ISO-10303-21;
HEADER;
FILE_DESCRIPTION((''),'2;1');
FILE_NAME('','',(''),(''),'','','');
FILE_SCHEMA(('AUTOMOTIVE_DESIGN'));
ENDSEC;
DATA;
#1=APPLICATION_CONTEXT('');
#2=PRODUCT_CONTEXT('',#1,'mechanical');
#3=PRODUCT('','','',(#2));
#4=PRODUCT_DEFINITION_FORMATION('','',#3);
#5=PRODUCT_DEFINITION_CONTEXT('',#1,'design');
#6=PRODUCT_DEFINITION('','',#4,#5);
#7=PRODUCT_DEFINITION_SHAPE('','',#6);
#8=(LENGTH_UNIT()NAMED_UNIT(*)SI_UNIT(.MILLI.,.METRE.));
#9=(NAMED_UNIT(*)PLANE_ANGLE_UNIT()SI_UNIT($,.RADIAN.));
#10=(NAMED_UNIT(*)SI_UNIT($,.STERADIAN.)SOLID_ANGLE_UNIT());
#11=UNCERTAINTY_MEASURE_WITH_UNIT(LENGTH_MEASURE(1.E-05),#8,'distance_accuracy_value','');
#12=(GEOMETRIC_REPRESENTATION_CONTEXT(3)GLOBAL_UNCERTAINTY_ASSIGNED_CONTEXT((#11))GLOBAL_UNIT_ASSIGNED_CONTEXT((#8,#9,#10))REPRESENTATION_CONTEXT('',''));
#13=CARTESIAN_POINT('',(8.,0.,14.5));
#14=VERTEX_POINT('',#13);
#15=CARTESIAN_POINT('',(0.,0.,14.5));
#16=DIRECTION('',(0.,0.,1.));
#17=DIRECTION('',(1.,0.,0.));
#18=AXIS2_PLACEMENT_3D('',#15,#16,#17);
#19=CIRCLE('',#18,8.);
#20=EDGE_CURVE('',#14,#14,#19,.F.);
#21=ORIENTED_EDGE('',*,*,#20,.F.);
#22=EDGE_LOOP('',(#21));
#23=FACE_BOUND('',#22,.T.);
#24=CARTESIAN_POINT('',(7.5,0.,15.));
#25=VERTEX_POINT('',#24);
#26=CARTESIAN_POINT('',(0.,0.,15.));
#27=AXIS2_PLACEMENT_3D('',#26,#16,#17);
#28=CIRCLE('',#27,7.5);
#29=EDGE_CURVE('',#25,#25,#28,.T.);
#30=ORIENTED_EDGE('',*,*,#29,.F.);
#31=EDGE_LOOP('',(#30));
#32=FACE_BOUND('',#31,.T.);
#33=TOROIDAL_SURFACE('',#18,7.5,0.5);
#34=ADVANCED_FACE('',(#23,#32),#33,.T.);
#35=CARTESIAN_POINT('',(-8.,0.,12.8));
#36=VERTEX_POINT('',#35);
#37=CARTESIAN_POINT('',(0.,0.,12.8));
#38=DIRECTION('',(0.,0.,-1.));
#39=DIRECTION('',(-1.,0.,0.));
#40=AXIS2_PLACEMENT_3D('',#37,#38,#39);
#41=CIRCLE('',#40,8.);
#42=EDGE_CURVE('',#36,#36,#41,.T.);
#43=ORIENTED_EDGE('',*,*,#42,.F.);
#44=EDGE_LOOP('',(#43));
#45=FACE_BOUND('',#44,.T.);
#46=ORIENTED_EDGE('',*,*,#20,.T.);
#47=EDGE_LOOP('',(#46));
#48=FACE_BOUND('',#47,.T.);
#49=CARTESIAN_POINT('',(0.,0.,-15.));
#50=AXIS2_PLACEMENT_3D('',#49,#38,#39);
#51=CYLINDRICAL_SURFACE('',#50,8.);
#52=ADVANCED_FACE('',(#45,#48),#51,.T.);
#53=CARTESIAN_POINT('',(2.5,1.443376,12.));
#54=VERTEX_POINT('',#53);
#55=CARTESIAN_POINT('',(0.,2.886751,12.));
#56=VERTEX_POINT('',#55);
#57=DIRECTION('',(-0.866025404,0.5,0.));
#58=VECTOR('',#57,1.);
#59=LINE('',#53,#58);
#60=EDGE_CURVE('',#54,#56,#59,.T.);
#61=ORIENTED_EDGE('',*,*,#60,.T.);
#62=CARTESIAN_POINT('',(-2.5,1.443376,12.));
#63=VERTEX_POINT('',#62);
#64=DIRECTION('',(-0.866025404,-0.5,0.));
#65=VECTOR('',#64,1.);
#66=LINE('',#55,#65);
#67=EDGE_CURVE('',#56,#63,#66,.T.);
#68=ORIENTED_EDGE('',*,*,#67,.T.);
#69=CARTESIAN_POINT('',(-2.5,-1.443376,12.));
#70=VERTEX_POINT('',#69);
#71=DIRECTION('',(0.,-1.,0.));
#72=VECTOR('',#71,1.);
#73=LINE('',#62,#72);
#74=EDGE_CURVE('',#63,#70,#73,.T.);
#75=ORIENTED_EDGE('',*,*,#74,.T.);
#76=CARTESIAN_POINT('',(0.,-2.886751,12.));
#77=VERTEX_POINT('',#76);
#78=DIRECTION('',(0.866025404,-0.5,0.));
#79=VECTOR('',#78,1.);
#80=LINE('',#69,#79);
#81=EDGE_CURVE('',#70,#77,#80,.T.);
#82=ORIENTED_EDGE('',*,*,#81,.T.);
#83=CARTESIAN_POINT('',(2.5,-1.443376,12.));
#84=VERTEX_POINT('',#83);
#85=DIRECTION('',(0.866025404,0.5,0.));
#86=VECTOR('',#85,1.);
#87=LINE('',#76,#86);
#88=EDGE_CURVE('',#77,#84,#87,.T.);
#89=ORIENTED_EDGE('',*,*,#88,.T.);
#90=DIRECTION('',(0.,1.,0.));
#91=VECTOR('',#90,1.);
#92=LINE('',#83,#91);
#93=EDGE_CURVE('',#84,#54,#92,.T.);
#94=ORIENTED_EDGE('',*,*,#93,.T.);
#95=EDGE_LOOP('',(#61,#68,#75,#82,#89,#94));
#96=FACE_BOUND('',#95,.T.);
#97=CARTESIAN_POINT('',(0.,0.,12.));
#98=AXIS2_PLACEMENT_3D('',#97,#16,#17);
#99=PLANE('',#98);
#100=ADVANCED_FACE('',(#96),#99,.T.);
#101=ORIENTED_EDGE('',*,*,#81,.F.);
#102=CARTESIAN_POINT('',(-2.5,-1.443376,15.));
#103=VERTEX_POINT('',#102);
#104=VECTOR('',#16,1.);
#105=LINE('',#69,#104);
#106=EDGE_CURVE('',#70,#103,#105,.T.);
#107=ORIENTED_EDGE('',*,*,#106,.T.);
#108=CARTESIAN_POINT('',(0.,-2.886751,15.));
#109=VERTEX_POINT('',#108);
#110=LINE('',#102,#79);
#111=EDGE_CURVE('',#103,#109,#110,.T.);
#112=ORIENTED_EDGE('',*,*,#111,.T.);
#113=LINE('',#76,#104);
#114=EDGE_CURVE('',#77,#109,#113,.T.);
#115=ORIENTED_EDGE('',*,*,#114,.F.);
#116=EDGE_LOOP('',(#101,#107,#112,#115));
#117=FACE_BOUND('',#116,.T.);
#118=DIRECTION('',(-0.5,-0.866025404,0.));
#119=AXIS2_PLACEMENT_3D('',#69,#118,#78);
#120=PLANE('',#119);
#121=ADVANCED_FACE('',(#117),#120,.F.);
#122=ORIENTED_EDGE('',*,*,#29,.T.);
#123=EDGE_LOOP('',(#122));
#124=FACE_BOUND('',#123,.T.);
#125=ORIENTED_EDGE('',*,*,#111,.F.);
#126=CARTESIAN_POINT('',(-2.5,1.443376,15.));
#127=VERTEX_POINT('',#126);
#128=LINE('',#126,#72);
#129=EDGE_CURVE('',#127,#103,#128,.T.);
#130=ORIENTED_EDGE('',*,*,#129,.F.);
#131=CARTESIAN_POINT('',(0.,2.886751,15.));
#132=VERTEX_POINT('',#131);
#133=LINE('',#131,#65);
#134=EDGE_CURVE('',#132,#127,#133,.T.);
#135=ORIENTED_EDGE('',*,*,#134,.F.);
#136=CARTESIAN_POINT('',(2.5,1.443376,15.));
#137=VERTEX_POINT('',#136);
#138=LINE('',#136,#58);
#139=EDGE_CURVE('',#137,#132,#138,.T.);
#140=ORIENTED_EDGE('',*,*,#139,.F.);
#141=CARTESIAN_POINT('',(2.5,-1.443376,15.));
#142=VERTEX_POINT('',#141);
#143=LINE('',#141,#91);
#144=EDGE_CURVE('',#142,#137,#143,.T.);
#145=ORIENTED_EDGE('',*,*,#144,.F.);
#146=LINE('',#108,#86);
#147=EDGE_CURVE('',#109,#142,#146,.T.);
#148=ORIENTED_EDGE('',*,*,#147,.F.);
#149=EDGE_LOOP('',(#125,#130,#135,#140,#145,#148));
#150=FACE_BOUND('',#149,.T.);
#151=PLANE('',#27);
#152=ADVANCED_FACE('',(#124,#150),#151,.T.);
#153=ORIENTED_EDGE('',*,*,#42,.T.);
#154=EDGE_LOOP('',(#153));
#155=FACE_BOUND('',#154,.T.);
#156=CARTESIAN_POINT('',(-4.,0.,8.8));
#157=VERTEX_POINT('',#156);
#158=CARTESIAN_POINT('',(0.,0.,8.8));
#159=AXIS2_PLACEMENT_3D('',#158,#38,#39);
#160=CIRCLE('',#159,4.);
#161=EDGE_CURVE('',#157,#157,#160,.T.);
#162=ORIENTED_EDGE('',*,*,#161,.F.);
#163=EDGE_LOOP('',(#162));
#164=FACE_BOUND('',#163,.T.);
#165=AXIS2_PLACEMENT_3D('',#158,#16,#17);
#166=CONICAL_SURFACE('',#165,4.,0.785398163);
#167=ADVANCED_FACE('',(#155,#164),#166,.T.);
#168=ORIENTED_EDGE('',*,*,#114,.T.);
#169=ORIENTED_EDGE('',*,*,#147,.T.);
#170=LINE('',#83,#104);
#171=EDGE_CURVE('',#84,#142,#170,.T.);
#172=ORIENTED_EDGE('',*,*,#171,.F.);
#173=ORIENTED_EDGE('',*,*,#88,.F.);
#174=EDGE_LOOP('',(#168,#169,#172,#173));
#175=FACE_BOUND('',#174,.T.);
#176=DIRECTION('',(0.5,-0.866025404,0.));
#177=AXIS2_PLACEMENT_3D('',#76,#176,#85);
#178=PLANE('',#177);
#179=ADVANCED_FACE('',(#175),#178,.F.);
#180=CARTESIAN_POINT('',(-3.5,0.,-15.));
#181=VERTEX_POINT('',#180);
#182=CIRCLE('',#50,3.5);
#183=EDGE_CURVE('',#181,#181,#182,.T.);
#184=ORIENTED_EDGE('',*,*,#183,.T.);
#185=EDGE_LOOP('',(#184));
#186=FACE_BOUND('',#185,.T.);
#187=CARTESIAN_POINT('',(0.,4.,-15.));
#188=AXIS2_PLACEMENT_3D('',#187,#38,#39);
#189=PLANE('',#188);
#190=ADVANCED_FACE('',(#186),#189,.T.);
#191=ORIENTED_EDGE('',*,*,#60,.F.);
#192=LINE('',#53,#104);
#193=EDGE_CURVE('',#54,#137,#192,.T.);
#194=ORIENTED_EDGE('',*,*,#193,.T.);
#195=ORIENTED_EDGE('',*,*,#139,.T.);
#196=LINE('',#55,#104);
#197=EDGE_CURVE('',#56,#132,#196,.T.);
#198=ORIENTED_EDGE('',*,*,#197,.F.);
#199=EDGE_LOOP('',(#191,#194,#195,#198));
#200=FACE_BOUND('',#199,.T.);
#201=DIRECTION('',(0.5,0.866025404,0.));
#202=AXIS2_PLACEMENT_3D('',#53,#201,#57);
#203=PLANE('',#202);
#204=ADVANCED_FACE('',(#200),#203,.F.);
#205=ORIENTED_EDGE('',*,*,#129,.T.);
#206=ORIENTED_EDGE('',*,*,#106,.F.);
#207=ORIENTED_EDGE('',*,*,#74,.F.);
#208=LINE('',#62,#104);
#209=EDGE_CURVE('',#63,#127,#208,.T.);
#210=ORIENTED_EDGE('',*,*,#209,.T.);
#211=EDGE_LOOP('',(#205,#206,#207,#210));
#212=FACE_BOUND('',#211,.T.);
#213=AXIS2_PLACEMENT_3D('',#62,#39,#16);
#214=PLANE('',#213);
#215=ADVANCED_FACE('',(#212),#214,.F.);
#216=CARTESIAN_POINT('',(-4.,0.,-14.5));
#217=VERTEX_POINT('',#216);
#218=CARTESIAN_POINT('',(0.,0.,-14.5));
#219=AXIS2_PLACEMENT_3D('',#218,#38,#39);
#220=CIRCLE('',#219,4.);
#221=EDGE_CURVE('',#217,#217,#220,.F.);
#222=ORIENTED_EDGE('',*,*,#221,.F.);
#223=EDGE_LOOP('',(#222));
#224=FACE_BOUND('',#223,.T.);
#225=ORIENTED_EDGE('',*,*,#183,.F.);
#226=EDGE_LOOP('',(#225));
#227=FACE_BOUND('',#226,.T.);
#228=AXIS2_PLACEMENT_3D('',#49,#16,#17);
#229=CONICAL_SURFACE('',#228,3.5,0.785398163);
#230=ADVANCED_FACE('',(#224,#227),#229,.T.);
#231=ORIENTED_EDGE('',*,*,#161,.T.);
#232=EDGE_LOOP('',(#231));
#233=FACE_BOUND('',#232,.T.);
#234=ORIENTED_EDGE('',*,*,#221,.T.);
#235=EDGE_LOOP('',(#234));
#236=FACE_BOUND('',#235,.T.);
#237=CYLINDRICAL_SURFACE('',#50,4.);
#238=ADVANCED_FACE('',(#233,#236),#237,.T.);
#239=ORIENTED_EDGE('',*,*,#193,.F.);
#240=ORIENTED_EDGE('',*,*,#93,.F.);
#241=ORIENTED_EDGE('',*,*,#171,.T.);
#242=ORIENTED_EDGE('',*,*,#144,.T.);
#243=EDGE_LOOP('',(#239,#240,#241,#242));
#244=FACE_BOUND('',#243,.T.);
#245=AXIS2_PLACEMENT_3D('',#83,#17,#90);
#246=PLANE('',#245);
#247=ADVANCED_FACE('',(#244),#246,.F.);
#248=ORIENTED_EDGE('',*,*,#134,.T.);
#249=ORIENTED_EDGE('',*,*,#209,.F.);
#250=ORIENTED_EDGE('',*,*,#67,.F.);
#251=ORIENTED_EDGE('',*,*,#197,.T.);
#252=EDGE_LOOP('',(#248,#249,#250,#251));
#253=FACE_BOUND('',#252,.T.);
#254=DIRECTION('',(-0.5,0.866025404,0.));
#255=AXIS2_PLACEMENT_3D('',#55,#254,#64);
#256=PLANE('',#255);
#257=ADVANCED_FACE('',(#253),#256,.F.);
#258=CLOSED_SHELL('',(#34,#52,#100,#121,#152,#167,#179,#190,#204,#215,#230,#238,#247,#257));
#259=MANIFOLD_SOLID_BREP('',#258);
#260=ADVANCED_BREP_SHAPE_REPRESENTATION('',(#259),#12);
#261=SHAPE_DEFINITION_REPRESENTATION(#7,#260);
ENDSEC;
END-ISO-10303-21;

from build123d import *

# Parameters (mm, degrees)
CUT_EXTRUDE_1_DEPTH = 3
FILLET_1_R          = 0.5
CHAMFER_1_SIZE      = 0.5


with BuildPart() as part:
    # 草图1 → 旋转1 (revolve)
    with BuildSketch(Plane(origin=(0, 0, 0), x_dir=(0, 0, -1), z_dir=(1, 0, 0)), mode=Mode.PRIVATE) as revolve_1_sk:
        Polygon((-15, 0), (-15, 8), (-12.8, 8), (-8.8, 4), (15, 4), (15, 0), align=None)
    revolve(revolve_1_sk.sketch.rotate(Axis((0, 0, -15), (0, 0, 1)), 90), axis=Axis((0, 0, -15), (0, 0, 1)))

    # 草图2 → 切除-拉伸1 (cut)
    with BuildSketch(Plane.XY.offset(15)):
        Polygon((0, 2.886751346), (-2.5, 1.443375673), (-2.5, -1.443375673), (0, -2.886751346), (2.5, -1.443375673), (2.5, 1.443375673), align=None)
    extrude(amount=-CUT_EXTRUDE_1_DEPTH, mode=Mode.SUBTRACT)

    # 圆角1
    fillet_1_edges = [part.edges().sort_by_distance(p)[0] for p in [
        (8, 0, 15),
    ]]
    fillet(fillet_1_edges, radius=FILLET_1_R)

    # 倒角1
    chamfer_1_edges = [part.edges().sort_by_distance(p)[0] for p in [
        (4, 0, -15),
    ]]
    chamfer(chamfer_1_edges, length=CHAMFER_1_SIZE)


solid = part.part
